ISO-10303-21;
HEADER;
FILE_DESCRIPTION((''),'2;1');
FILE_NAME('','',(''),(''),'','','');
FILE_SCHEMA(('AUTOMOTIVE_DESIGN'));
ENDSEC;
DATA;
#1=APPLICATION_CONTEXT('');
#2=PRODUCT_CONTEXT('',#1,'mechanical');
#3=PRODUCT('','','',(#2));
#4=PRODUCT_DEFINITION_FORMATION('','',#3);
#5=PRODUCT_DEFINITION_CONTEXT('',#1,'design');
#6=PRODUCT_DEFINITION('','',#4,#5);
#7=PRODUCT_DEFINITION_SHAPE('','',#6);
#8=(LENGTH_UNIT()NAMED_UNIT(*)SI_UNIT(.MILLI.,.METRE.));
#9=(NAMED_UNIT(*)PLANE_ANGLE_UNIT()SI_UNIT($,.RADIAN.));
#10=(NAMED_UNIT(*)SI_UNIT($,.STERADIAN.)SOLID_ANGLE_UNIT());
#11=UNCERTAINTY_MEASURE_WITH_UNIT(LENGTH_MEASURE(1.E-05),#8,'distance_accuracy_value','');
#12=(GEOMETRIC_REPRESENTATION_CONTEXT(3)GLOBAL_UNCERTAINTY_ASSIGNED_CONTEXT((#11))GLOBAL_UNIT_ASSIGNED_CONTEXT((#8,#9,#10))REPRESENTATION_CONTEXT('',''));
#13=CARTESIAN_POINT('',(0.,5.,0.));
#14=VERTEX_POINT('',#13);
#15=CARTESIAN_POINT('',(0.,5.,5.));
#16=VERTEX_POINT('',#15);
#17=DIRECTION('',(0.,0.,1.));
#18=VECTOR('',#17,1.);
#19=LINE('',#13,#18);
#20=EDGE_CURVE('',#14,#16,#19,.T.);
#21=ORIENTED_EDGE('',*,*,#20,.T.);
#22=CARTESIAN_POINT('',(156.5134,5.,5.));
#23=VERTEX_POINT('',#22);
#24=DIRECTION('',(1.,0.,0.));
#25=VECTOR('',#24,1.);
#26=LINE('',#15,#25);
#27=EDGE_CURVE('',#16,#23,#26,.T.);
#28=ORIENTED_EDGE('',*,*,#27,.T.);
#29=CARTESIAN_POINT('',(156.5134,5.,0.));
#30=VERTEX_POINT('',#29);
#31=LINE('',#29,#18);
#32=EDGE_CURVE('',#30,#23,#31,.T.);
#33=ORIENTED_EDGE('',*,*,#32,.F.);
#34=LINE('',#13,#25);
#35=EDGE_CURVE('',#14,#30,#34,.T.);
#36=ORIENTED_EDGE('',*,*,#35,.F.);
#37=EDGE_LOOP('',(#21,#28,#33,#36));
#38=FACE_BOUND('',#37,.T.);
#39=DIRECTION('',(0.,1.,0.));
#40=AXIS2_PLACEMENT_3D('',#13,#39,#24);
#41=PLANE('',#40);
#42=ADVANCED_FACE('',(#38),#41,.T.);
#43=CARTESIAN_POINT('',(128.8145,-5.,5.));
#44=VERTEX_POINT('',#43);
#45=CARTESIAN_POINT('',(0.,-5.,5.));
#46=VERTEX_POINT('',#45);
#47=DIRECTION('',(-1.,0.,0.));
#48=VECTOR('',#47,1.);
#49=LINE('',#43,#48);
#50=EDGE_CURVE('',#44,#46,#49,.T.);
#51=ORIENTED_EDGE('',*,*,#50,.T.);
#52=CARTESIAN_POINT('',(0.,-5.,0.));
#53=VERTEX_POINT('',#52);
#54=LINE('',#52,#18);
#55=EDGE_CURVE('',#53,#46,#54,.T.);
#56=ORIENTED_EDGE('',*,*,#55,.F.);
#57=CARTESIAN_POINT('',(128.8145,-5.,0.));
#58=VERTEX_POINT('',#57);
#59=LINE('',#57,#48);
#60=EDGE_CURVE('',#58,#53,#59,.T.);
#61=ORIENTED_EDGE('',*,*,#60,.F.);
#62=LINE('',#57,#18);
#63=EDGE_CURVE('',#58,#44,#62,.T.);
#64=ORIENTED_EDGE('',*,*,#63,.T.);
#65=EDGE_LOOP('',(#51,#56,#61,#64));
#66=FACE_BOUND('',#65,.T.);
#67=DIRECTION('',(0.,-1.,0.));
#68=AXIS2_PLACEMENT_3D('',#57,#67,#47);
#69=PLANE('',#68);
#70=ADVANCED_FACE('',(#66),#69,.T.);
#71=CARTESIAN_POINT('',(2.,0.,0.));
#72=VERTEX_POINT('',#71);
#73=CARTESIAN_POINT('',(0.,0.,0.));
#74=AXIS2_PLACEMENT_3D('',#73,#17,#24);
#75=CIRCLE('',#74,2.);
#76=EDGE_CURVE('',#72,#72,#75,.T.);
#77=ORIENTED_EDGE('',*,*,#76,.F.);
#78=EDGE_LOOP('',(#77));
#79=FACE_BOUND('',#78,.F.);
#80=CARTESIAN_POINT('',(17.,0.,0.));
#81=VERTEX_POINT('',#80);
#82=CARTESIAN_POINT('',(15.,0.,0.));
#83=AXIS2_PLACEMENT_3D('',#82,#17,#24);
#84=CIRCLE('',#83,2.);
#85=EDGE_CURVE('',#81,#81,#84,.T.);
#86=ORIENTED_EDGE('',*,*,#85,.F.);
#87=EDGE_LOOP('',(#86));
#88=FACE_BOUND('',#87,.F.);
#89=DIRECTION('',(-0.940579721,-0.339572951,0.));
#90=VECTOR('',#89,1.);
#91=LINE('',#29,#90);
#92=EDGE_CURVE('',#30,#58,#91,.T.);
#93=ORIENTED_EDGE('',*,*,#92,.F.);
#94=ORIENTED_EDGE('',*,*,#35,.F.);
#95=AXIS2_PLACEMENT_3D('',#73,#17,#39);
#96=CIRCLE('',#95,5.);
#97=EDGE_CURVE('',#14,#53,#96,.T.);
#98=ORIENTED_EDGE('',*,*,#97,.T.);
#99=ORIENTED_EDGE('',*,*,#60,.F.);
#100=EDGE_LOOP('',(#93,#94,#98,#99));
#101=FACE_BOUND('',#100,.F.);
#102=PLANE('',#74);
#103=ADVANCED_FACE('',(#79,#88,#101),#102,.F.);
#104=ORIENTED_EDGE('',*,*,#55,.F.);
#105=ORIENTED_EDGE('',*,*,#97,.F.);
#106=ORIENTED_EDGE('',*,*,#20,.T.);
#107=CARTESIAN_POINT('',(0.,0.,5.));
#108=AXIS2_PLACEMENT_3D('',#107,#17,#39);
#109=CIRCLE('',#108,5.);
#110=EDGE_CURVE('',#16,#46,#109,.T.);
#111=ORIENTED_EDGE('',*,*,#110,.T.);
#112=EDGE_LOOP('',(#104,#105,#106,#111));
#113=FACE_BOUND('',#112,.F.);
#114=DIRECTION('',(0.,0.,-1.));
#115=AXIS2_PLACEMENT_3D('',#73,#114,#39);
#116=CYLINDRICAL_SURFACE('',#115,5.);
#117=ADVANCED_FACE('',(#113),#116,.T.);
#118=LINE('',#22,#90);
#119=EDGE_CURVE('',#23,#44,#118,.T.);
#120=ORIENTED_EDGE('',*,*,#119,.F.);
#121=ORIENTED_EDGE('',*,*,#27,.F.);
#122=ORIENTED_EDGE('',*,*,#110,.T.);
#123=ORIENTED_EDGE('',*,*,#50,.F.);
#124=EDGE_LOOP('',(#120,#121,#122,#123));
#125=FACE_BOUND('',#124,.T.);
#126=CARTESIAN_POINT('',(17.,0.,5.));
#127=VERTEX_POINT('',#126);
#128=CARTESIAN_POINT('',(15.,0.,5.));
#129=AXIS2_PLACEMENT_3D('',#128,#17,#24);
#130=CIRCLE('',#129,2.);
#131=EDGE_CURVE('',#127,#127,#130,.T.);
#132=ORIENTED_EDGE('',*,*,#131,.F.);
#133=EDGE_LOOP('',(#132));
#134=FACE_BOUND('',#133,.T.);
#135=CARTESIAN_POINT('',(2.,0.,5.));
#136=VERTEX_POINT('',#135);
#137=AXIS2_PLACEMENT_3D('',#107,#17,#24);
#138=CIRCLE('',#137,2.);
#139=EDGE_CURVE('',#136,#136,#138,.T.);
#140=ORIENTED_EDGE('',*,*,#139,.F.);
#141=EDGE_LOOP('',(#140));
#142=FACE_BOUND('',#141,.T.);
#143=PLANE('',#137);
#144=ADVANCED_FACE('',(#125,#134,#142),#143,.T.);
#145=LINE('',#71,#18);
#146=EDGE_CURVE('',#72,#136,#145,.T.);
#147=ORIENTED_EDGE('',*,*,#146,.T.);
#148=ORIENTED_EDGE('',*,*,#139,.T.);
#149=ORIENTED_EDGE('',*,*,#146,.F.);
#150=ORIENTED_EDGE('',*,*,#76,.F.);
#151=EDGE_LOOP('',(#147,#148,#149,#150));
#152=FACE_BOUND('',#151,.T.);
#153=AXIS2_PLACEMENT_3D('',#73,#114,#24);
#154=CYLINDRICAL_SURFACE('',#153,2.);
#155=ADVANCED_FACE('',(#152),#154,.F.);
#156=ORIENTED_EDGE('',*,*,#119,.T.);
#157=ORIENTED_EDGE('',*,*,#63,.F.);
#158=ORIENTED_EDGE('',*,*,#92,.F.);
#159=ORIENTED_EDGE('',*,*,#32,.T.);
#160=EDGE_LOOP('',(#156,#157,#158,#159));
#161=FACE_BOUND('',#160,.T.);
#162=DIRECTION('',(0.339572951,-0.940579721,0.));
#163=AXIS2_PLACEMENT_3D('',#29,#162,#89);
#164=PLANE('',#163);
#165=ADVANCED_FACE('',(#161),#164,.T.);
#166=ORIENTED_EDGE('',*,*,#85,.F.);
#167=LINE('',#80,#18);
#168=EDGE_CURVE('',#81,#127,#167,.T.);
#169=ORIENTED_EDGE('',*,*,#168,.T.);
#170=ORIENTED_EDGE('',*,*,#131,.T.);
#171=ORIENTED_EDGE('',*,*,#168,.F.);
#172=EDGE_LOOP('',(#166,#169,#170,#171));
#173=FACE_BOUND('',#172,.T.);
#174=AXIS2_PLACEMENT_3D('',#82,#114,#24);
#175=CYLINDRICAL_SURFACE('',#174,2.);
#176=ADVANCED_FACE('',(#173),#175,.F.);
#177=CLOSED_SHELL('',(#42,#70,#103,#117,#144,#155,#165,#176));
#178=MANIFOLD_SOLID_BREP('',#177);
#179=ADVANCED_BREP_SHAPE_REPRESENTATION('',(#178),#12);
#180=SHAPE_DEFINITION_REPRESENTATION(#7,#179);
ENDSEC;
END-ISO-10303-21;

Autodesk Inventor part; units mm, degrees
ref_plane "YZ Plane" through (0, 0, 0) normal (1, 0, 0) x (0, 1, 0)
ref_plane "XZ Plane" through (0, 0, 0) normal (0, 1, 0) x (-1, 0, 0)
ref_plane "XY Plane" through (0, 0, 0) normal (0, 0, 1) x (1, 0, 0)
sketch "スケッチ1" plane through (0, 0, 0) normal (0, 0, 1) x (1, 0, 0)
  circle A0 centre (0, 0) radius 2
  circle A1 centre (15, 0) radius 2
  arc A2 (0, 5) -> (0, -5) centre (0, 0) ccw
  line L0 (0, 5) -> (156.5134, 5)
  line L1 (156.5134, 5) -> (128.8145, -5)
  line L2 (128.8145, -5) -> (0, -5)
  dimension "d0" = 4
  dimension "d1" = 4
  dimension "d2" = 15
  dimension "d3" = 3
extrude "押し出し1" add sketch "スケッチ1" along normal blind 5
properties part number "カウンター短" material "アルミニウム 7075"
